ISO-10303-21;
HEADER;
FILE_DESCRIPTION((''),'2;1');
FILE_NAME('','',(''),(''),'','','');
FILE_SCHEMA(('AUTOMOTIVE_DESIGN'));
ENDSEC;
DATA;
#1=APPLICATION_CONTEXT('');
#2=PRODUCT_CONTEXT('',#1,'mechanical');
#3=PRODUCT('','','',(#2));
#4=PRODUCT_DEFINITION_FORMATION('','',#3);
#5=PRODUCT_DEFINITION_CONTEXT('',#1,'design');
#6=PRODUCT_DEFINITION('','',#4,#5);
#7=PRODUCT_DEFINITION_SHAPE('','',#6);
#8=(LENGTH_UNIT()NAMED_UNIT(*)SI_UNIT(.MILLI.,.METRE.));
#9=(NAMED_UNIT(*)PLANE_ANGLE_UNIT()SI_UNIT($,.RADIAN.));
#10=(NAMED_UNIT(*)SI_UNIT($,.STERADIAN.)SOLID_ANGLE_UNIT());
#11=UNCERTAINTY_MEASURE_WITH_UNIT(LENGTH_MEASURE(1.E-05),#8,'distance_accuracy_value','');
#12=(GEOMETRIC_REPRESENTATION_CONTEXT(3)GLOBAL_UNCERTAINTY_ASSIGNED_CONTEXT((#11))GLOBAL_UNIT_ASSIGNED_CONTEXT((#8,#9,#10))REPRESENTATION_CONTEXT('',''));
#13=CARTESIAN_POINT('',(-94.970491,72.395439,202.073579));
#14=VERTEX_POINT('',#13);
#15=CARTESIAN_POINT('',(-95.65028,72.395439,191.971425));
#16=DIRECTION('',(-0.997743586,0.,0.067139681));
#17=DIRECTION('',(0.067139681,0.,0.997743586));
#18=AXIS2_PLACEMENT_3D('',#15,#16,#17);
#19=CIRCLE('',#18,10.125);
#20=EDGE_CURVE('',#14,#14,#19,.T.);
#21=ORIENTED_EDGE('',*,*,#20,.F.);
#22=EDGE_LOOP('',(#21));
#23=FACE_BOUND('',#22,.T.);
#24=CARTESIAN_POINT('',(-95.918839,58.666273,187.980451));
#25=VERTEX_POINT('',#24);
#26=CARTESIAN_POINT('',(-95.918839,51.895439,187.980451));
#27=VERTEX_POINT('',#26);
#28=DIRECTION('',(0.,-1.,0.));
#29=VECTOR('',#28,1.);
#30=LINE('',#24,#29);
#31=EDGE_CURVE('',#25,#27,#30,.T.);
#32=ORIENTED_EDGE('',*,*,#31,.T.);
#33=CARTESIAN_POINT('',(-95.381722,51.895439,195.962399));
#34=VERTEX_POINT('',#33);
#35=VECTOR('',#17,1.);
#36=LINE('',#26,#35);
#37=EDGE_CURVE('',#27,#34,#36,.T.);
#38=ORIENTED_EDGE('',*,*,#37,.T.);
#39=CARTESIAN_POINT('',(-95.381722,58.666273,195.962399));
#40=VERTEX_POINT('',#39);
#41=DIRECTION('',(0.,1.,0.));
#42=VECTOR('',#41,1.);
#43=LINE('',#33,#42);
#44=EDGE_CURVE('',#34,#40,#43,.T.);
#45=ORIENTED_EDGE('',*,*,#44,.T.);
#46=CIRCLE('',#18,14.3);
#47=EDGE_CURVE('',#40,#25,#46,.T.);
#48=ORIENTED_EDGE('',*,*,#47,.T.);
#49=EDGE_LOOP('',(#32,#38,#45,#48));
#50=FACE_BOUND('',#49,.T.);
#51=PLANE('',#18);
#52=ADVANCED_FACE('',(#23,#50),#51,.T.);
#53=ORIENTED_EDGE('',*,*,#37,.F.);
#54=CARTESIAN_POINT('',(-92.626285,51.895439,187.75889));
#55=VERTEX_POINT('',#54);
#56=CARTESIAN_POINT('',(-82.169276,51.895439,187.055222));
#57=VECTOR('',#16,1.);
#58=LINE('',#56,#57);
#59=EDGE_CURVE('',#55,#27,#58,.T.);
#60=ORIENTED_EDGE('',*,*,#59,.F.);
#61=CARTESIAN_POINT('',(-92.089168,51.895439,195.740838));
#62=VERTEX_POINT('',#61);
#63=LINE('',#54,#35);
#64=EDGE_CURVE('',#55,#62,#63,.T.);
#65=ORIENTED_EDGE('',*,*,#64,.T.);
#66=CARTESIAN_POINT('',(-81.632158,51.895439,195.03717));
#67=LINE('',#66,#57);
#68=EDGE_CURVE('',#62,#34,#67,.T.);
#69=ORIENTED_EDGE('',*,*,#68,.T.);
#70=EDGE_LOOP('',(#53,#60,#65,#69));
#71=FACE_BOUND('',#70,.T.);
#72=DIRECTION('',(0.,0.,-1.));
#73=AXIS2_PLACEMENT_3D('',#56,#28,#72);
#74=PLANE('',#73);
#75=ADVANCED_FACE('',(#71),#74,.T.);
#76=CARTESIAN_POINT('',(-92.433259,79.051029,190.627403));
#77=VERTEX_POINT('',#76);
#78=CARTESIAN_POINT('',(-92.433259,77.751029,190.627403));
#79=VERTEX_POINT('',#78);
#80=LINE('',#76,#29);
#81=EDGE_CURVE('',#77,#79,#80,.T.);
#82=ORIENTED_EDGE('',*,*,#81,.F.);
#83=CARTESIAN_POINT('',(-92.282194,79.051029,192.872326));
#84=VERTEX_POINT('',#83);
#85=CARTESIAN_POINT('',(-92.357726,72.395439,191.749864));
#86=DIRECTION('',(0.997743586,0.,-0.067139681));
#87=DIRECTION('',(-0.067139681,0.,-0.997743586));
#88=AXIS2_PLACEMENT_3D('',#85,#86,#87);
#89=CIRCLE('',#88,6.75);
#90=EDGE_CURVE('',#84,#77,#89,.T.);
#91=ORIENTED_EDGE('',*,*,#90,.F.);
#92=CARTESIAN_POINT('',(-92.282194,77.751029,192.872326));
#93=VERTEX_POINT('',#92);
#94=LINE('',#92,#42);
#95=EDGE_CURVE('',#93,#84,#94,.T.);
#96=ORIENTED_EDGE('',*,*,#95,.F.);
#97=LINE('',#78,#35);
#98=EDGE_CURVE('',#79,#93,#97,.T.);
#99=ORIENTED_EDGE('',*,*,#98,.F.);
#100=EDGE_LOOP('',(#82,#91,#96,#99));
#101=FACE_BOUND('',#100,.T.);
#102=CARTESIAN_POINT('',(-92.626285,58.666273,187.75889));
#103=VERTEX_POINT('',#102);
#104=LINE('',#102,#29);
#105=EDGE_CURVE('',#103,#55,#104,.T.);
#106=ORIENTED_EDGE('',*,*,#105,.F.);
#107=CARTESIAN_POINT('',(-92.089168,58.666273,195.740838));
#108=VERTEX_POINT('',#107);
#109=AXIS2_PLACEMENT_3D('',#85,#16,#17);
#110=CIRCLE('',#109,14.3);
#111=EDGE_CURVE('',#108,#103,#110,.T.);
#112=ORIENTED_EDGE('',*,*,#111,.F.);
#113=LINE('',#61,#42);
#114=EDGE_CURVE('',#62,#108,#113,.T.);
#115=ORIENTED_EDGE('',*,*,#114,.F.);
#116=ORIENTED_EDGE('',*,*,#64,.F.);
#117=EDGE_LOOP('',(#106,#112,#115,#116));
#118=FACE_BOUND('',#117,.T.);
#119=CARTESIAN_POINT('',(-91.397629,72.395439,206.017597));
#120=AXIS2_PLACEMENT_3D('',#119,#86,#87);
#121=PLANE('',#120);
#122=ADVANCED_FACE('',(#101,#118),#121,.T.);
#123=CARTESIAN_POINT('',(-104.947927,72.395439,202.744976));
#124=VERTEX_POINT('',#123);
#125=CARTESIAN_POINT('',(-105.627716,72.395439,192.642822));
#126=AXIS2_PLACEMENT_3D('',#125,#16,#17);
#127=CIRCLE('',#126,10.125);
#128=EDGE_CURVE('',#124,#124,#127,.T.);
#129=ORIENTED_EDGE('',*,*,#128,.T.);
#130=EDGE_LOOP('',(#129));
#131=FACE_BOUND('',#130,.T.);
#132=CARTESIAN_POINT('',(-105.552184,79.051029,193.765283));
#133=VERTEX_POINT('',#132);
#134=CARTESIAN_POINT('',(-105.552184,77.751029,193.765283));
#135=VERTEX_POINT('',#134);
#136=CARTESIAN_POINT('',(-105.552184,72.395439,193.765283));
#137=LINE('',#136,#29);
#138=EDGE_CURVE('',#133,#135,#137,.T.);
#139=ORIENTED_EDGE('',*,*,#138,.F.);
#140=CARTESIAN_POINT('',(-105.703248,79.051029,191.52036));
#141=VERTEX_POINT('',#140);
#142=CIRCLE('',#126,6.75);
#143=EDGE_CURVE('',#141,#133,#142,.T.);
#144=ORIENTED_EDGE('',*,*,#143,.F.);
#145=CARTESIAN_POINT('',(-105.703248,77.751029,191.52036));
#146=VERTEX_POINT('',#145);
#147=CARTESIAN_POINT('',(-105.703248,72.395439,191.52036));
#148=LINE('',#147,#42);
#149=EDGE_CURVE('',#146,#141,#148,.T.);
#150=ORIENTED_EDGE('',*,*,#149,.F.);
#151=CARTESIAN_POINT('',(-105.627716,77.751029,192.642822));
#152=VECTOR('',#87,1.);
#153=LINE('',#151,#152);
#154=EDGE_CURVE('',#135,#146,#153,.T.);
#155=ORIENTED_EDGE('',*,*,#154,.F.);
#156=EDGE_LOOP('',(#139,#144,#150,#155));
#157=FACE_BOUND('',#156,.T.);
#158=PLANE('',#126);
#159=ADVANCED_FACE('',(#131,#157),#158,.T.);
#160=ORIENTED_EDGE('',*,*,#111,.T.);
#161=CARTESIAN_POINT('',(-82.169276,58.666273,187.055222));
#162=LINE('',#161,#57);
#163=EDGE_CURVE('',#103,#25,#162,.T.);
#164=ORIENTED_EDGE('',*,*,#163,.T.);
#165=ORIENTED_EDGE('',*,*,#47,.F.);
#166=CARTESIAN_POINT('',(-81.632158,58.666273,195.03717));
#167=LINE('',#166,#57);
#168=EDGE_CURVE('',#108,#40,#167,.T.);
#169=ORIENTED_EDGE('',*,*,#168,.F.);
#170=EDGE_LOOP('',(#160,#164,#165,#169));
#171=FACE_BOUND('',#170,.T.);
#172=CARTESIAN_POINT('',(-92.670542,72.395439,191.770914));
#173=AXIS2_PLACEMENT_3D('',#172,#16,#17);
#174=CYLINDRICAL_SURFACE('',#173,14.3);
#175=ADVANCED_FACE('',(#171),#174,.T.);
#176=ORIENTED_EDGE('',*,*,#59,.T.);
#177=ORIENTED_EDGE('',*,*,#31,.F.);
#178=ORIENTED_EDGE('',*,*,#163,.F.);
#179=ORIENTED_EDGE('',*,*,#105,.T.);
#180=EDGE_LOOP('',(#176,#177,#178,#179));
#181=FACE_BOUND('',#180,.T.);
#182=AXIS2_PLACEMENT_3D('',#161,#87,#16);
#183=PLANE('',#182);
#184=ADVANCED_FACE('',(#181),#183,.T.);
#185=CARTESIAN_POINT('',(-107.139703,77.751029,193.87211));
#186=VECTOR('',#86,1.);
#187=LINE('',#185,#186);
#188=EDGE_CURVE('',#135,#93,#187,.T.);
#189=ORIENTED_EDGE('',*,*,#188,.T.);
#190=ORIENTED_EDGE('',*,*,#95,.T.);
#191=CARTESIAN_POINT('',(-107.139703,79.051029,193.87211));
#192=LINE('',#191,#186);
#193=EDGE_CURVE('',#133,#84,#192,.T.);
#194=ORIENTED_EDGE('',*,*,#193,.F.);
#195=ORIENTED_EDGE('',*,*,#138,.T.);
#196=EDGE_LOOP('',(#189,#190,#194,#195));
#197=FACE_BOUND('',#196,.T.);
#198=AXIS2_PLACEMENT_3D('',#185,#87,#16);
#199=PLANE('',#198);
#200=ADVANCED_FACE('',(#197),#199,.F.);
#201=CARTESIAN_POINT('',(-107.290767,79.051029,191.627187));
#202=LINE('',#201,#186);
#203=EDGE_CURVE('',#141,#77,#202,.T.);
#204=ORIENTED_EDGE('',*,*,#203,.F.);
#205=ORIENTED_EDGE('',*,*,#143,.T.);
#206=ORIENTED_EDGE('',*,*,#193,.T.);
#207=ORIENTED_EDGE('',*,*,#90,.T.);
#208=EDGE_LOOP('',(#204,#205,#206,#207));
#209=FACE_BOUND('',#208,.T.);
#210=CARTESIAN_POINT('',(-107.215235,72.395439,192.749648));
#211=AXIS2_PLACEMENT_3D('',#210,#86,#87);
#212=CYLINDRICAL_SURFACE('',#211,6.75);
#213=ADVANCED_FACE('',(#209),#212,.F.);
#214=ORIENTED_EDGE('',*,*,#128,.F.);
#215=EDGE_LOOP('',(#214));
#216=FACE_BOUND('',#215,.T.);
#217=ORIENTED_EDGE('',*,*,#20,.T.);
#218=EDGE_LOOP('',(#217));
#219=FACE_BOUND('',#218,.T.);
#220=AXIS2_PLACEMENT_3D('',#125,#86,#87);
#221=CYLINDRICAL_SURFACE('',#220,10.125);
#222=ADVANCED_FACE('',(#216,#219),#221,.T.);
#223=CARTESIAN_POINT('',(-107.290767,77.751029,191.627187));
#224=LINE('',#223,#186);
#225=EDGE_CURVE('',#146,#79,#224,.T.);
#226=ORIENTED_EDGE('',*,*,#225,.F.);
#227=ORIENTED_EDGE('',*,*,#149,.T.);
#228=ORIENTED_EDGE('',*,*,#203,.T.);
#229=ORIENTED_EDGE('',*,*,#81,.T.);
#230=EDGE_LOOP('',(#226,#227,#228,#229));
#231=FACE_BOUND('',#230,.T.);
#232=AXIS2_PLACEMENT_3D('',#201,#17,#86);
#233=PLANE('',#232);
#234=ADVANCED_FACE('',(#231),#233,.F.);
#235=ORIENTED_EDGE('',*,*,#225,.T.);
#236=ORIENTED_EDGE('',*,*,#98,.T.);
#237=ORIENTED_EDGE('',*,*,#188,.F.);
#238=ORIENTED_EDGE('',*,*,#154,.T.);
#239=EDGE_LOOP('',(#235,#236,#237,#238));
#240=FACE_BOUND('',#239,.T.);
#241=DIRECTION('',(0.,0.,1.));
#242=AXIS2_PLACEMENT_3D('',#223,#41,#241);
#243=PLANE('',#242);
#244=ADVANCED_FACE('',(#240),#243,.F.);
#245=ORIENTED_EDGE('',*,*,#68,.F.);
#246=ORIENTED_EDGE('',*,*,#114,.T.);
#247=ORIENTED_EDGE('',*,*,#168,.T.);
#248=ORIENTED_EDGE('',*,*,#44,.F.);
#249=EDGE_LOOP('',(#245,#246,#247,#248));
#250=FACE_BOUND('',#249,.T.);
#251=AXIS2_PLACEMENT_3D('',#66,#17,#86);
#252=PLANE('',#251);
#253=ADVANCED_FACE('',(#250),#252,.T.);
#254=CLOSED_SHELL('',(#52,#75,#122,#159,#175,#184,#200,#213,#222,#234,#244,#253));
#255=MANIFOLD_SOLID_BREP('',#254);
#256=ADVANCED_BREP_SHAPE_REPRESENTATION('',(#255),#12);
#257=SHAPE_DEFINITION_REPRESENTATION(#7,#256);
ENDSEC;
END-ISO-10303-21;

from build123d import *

# Parameters (mm, degrees)
ESQUISSE2_R             = 10.125
BOSS_EXTRU_1_DEPTH      = 10
ENL_V_MAT_EXTRU_1_DEPTH = 218.649228582
BOSS_EXTRU_2_START      = -3.3
BOSS_EXTRU_2_DEPTH      = 3.3


with BuildPart() as part:
    # Esquisse1 → Révolution1 (revolve)
    with BuildSketch(Plane(origin=(0, 72.395438751, 0), x_dir=(-1, 0, 0), z_dir=(0, 1, 0))):
        Polygon((91.397628985, 206.017597396), (92.357726425, 191.749864118), (95.650280259, 191.971425065), (94.690182819, 206.239158344), align=None)
    revolve(axis=Axis((-92.670542197, 72.395438751, 191.770913966), (-0.9977435859079083, 0, 0.06713968111056465)))

    # Esquisse2 → Boss.-Extru.1 (add)
    with BuildSketch(Plane(origin=(-108.078931537, 0, 7.272795436), x_dir=(0.06713968111057397, 0, 0.9977435859079078), z_dir=(-0.9977435859079079, 0, 0.06713968111057397))):
        with Locations((185.116328722, 72.395438751)):
            Circle(ESQUISSE2_R)
    extrude(amount=BOSS_EXTRU_1_DEPTH)

    # Esquisse3 → Enlèv. mat.-Extru.1 (cut, through all)
    with BuildSketch(Plane(origin=(-104.786377704, 0, 7.051234489), x_dir=(-0.06713968111057397, 0, -0.9977435859079078), z_dir=(0.9977435859079079, 0, -0.06713968111057397))):
        with BuildLine():
            Line((-186.241328722, 77.751028507), (-186.241328722, 79.051028507))
            ThreePointArc((-186.241328722, 79.051028507), (-185.116328722, 65.645438751), (-183.991328722, 79.051028507))
            Line((-183.991328722, 79.051028507), (-183.991328722, 77.751028507))
            Line((-183.991328722, 77.751028507), (-186.241328722, 77.751028507))
        make_face()
    extrude(amount=-ENL_V_MAT_EXTRU_1_DEPTH, mode=Mode.SUBTRACT)

    # Esquisse8 → Boss.-Extru.2 (add)
    with BuildSketch(Plane(origin=(-108.078931537, 0, 7.272795436), x_dir=(0.06713968111056465, 0, 0.9977435859079083), z_dir=(-0.9977435859079085, 0, 0.06713968111056466)).offset(BOSS_EXTRU_2_START)):
        with BuildLine():
            Line((181.116328722, 58.666272717), (181.116328722, 51.895438751))
            Line((181.116328722, 51.895438751), (189.116328722, 51.895438751))
            Line((189.116328722, 51.895438751), (189.116328722, 58.666272717))
            ThreePointArc((189.116328722, 58.666272717), (185.116328722, 58.095438751), (181.116328722, 58.666272717))
        make_face()
    extrude(amount=BOSS_EXTRU_2_DEPTH)


solid = part.part
